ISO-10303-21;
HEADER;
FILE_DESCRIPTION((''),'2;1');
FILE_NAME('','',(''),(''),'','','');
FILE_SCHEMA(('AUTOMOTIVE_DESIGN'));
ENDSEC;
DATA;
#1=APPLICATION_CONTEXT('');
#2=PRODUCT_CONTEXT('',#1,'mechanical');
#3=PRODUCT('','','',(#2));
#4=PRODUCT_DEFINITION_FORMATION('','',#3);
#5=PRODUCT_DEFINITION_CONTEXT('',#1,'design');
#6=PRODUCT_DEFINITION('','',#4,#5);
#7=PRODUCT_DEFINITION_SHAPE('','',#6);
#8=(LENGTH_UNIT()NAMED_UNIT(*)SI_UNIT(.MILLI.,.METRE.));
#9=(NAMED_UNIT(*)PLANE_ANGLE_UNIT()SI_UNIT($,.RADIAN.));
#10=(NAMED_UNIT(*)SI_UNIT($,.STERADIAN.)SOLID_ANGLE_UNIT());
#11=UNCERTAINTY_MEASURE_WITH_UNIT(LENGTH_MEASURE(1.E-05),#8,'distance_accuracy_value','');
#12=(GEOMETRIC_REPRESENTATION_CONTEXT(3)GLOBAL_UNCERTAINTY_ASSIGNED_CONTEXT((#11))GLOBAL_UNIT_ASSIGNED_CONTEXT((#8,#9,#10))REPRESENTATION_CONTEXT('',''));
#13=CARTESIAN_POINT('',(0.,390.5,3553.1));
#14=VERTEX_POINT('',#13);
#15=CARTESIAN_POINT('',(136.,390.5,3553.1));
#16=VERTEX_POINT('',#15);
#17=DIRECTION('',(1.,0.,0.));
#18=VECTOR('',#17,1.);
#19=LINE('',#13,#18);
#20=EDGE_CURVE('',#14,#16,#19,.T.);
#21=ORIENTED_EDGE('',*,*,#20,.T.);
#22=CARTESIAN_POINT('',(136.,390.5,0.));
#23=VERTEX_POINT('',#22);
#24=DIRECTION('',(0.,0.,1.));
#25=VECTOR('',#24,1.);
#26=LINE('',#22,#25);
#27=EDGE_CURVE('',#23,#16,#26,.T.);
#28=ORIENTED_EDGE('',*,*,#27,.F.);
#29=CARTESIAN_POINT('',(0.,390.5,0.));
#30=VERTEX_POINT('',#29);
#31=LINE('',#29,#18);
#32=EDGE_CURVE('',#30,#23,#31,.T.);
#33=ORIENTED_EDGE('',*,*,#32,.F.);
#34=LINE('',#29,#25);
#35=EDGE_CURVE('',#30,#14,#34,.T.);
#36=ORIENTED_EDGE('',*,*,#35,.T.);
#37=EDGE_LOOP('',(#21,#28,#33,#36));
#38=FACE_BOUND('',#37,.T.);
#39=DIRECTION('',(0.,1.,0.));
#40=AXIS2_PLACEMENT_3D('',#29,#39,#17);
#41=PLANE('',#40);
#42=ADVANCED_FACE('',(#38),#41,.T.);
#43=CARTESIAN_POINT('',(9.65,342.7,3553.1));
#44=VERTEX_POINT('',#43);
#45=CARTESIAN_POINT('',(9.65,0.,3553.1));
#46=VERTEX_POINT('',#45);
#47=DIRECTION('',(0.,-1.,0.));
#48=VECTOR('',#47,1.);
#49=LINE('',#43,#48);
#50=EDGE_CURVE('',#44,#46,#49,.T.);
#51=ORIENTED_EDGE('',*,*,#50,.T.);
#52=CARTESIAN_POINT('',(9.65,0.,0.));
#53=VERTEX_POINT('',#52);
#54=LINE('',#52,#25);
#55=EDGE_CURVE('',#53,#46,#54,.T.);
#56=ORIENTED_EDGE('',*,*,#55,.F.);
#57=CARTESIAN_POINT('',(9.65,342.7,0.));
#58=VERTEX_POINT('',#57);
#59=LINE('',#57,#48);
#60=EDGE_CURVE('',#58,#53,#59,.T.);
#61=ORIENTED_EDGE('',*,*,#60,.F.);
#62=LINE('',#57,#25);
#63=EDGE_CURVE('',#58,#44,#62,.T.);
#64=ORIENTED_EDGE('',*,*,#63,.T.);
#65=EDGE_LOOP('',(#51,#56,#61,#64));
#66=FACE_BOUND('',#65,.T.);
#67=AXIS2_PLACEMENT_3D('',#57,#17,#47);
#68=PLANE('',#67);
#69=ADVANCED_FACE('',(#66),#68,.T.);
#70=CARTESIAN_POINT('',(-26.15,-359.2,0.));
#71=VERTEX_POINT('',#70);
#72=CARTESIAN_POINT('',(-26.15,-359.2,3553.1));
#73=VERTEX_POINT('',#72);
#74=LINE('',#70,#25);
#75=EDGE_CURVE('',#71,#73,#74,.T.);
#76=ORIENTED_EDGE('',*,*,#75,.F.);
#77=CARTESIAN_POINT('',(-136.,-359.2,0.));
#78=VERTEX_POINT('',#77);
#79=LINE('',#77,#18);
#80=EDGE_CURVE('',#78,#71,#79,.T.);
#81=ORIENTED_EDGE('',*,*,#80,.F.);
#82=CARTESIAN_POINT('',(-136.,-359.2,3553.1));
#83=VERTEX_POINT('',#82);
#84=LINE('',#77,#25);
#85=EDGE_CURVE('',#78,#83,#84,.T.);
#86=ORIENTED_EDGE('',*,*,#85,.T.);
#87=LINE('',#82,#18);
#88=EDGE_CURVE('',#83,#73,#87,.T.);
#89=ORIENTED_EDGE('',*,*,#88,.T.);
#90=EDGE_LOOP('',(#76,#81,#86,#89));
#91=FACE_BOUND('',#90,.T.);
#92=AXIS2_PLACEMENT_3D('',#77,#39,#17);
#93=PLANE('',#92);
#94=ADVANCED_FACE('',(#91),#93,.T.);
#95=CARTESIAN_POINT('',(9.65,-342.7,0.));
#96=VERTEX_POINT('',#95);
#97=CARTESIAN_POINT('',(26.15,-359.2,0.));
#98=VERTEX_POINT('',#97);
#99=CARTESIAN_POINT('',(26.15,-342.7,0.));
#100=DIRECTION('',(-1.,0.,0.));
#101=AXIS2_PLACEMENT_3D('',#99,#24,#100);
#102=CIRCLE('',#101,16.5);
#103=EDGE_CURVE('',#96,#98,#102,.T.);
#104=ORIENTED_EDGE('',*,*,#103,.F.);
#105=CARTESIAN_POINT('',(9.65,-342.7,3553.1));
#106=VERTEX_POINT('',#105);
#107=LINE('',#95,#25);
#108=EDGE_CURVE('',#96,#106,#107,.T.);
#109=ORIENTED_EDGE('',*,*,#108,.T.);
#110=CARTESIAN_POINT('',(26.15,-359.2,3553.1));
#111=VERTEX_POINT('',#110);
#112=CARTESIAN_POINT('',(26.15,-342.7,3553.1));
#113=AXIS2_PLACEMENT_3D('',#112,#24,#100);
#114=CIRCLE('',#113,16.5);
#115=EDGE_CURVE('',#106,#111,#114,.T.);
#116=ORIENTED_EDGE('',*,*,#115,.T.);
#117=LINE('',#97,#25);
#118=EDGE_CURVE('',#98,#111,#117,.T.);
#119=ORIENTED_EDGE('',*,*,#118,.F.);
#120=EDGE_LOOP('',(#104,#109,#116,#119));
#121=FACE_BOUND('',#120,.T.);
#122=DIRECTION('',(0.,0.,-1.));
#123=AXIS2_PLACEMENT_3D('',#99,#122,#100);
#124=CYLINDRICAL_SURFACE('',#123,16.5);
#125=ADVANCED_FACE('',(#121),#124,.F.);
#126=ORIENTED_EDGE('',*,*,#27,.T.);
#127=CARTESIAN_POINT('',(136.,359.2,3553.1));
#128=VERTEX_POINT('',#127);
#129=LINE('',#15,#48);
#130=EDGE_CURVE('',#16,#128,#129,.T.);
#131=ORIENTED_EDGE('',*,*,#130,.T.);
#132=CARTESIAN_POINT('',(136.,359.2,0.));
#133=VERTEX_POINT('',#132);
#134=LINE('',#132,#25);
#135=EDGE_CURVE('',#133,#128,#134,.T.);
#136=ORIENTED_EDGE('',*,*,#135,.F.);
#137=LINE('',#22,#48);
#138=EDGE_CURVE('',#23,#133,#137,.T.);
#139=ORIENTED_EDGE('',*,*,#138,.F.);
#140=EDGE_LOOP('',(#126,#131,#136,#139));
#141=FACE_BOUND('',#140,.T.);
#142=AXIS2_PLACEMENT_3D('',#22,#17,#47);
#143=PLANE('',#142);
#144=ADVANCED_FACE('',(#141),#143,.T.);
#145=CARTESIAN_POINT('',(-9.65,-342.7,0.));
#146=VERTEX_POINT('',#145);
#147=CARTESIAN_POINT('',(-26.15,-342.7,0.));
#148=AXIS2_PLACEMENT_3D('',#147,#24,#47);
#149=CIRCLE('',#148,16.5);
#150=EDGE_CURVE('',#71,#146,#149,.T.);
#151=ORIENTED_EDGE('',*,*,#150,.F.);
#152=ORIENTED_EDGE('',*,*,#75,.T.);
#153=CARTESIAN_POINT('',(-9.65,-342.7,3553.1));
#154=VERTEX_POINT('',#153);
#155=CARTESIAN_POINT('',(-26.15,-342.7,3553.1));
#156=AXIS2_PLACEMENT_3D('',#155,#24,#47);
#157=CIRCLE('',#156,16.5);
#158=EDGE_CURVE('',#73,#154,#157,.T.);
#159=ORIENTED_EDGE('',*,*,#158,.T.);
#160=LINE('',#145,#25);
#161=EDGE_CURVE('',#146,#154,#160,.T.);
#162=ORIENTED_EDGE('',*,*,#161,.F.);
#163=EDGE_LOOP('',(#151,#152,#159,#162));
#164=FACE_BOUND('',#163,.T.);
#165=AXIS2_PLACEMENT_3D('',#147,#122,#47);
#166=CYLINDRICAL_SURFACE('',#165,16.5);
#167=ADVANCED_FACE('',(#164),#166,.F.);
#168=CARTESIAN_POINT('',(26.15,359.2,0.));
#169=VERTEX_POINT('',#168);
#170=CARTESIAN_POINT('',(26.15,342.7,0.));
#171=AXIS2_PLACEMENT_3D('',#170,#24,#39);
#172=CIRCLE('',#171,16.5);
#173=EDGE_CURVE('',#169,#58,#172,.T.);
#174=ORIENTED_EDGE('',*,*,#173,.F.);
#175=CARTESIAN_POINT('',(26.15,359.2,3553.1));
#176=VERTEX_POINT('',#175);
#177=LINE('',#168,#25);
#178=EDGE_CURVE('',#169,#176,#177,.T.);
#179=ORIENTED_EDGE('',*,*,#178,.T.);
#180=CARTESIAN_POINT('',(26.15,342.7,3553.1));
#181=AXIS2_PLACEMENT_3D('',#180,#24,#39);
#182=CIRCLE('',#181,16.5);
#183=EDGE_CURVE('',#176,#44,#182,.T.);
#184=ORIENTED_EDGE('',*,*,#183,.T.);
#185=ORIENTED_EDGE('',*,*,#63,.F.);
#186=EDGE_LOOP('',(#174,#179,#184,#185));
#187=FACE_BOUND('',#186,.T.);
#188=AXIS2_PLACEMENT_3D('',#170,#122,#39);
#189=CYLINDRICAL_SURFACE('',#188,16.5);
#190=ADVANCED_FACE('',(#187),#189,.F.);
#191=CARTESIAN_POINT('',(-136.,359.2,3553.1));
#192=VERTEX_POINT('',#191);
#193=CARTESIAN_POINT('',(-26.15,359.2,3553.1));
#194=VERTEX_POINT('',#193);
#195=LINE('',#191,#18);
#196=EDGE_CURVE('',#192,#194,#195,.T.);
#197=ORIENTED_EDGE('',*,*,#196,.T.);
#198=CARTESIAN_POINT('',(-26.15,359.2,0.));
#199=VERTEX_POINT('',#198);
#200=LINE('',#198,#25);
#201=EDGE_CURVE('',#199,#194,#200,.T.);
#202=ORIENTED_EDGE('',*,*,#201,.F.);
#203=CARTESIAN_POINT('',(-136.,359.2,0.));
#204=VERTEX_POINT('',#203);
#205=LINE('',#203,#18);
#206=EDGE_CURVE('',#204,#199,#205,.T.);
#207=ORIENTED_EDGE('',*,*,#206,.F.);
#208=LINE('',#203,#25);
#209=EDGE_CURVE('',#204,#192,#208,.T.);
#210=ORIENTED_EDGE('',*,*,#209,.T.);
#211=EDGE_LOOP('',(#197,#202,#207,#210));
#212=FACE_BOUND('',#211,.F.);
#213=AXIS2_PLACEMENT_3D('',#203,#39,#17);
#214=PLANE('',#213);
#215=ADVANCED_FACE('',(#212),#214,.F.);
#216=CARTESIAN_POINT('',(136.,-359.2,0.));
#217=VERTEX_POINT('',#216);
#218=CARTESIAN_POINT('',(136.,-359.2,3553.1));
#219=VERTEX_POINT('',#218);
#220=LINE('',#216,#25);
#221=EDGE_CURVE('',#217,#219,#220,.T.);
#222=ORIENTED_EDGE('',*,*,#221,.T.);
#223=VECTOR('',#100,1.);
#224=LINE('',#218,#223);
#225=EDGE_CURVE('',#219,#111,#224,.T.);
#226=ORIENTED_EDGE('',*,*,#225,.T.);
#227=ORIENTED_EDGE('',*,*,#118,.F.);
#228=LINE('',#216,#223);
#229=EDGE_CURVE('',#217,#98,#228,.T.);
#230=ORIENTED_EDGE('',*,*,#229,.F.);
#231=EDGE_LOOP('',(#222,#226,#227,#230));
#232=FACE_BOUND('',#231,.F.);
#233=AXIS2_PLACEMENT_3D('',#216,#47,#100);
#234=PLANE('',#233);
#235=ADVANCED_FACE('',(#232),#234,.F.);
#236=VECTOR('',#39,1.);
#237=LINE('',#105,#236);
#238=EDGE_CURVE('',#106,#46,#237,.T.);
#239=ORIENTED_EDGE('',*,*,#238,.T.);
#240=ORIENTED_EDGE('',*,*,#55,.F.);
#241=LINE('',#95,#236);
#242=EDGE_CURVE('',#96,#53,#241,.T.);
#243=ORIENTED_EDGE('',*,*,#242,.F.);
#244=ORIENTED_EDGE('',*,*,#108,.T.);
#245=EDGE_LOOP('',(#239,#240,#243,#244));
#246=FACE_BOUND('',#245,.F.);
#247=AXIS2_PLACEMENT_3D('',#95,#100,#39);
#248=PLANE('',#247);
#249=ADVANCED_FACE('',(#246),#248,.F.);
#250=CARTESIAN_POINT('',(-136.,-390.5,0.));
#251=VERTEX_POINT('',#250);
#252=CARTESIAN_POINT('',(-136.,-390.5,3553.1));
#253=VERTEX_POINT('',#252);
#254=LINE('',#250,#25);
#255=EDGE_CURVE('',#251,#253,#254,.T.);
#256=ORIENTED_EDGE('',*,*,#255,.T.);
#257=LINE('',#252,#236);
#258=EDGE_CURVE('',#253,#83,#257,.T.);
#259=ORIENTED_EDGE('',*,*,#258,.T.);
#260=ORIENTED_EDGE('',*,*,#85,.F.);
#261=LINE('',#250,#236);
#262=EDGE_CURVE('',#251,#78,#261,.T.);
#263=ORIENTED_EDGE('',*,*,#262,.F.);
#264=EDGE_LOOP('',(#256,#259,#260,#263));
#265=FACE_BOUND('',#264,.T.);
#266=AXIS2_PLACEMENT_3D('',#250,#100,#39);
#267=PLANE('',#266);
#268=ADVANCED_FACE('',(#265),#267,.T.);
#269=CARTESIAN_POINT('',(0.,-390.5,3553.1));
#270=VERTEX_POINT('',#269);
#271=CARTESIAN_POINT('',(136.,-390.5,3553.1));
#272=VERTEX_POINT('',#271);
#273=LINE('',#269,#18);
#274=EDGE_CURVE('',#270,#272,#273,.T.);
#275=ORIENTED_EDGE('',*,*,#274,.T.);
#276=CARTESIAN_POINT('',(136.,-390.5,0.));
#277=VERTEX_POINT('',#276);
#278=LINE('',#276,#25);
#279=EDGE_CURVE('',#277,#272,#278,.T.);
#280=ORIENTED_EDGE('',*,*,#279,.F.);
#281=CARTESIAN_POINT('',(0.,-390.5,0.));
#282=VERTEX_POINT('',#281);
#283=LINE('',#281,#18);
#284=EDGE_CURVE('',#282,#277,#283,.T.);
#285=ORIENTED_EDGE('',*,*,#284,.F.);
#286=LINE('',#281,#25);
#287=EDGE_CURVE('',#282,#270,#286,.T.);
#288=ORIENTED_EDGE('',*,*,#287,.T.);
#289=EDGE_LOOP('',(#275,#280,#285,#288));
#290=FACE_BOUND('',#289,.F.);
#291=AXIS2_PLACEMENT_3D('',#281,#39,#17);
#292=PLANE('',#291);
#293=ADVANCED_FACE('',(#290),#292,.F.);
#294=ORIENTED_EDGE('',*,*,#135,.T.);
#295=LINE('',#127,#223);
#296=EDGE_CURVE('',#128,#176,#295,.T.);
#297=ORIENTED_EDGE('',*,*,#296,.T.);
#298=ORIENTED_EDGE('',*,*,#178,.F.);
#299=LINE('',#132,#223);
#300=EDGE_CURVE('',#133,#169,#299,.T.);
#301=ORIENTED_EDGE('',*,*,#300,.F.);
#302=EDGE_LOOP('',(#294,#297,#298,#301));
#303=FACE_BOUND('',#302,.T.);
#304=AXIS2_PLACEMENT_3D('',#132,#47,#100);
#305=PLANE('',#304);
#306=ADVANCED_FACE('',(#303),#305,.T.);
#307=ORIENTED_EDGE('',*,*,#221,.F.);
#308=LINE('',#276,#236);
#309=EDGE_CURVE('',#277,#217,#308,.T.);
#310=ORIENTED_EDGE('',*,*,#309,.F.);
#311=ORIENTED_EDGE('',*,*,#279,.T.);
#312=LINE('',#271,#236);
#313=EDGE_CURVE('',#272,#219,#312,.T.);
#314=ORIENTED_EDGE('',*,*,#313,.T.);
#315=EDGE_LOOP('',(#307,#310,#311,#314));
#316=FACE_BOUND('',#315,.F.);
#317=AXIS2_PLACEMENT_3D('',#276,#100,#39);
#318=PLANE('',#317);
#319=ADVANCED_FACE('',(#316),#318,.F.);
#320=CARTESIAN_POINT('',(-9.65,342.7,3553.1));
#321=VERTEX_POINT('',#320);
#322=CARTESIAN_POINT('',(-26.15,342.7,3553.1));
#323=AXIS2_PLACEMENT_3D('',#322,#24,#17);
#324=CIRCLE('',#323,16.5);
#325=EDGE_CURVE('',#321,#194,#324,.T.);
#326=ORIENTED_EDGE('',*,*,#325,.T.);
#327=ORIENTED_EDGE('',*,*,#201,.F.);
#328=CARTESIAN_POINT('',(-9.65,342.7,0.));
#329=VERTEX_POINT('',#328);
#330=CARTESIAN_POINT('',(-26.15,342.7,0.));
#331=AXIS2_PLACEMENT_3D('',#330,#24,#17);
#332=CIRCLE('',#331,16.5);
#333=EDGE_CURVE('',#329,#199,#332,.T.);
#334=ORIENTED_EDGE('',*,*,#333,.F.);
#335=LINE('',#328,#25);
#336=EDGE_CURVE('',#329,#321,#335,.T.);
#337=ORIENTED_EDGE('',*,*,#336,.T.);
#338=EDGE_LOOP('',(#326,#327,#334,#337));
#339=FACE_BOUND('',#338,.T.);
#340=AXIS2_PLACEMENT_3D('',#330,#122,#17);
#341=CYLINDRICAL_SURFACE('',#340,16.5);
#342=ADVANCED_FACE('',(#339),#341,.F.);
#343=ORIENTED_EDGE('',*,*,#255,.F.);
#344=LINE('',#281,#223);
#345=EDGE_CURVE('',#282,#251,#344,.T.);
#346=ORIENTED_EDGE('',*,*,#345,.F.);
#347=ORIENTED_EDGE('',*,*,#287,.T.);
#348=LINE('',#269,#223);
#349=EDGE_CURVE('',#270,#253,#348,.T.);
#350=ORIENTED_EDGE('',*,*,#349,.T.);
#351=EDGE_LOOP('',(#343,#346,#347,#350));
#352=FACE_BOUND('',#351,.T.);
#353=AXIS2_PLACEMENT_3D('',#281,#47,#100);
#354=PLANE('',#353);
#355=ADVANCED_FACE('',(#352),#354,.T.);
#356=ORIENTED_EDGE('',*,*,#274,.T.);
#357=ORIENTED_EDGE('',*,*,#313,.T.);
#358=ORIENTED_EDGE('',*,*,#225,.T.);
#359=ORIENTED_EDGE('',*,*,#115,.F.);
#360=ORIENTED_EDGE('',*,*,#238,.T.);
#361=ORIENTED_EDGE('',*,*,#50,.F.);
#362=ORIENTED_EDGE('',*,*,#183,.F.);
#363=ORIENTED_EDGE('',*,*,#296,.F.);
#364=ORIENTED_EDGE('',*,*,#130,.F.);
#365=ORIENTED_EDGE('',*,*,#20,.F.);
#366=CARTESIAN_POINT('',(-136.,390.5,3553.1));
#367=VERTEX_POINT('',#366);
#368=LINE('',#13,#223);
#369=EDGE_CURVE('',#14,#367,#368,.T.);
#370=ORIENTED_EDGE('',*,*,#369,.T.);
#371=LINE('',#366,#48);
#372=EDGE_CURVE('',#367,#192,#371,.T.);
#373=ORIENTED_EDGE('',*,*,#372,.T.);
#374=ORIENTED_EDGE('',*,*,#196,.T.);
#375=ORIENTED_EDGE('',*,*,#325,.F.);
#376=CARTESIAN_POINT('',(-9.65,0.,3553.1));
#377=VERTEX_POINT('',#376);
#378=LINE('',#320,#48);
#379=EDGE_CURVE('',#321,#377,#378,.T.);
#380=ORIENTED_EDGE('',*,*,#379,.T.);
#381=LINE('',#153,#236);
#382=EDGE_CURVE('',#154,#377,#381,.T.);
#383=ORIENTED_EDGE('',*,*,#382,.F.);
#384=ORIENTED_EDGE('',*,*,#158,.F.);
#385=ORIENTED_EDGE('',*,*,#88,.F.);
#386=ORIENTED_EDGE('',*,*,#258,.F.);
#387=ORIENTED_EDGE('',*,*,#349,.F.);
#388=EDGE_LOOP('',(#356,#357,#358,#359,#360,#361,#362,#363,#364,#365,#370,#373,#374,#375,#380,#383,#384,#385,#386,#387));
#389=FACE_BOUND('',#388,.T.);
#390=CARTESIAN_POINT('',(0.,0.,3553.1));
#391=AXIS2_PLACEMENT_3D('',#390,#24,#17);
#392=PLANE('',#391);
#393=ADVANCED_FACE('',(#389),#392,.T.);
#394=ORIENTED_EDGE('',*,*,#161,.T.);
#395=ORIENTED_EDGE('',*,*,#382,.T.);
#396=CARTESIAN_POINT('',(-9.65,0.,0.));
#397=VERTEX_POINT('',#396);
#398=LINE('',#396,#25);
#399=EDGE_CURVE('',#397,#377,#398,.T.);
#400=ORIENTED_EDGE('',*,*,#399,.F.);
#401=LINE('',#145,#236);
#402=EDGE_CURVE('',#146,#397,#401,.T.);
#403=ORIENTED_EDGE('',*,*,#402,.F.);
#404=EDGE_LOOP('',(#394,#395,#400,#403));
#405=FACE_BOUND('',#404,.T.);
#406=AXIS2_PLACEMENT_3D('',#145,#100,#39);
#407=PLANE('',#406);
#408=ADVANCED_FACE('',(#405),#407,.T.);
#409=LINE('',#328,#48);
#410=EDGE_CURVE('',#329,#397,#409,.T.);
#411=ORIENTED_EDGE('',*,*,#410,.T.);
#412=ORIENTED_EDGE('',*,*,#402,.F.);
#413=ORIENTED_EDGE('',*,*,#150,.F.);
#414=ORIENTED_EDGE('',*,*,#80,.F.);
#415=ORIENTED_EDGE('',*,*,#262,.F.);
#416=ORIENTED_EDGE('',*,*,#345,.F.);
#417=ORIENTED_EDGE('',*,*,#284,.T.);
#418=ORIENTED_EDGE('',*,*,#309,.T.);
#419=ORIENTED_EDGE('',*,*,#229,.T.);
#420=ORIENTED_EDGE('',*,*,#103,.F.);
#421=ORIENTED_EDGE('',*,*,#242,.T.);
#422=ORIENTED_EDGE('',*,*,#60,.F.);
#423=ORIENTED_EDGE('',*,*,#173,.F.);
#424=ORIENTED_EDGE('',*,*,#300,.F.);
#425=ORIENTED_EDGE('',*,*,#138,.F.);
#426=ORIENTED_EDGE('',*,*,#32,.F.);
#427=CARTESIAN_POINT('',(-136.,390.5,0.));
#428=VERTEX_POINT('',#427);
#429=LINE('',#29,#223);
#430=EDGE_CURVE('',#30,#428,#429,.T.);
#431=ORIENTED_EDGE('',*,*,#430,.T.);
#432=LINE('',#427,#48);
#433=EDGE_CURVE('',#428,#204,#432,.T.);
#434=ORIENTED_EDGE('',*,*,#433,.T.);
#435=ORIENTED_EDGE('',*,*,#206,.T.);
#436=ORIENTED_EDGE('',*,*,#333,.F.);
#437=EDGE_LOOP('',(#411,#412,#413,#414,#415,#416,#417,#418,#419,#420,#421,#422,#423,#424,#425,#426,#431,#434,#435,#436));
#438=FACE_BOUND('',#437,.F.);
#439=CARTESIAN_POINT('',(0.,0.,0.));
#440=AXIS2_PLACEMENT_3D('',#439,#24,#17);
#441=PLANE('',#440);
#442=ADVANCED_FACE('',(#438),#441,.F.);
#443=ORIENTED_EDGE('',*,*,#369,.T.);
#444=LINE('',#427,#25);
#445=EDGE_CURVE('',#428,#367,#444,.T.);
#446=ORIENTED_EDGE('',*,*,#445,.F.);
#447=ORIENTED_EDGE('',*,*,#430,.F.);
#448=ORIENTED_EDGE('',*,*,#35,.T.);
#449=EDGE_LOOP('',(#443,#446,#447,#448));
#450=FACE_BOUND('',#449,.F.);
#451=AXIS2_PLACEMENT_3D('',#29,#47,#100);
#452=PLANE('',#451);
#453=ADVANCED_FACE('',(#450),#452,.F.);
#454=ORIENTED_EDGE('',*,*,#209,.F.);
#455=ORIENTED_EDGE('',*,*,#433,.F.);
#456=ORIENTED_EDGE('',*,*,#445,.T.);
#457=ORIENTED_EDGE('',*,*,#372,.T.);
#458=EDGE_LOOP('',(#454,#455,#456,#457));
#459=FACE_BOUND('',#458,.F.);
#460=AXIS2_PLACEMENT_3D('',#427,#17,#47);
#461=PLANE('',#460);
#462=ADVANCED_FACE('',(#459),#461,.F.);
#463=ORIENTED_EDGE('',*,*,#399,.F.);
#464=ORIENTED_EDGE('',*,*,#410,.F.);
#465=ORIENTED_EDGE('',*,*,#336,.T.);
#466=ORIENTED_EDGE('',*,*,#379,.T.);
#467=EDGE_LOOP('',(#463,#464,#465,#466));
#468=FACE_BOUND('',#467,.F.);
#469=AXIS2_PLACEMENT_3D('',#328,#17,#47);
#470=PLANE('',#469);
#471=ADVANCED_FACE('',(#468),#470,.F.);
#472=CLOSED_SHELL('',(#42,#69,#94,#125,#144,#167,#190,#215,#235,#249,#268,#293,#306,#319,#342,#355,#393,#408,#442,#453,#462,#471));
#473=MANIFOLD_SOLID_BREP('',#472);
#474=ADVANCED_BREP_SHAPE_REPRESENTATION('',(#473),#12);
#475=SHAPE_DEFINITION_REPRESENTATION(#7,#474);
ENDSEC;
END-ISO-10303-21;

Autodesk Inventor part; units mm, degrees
ref_plane "YZ Plane" through (0, 0, 0) normal (1, 0, 0) x (0, 1, 0)
ref_plane "Start plane" through (0, 0, 0) normal (0, 0, 1) x (1, 0, 0)
ref_plane "End plane" through (0, 0, 3553.1) normal (0, 0, 1) x (1, 0, 0)
sketch "Sketch" plane through (0, 0, 0) normal (0, 0, 1) x (1, 0, 0)
  line L0 (-136, -390.5) -> (-136, -359.2)
  line L1 (-136, -359.2) -> (-26.15, -359.2)
  line L2 (-9.65, -342.7) -> (-9.65, 0)
  line L3 (-9.65, 0) -> (0, 0) construction
  line L4 (0, 0) -> (0, -390.5) construction
  line L5 (0, -390.5) -> (-136, -390.5)
  line L6 (-60, 0) -> (80, 0) construction
  line L7 (0, -60) -> (0, 80) construction
  line L8 (136, -390.5) -> (136, -359.2)
  line L9 (136, -359.2) -> (26.15, -359.2)
  line L10 (9.65, -342.7) -> (9.65, 0)
  line L11 (9.65, 0) -> (0, 0) construction
  line L12 (0, -390.5) -> (136, -390.5)
  line L13 (-136, 390.5) -> (-136, 359.2)
  line L14 (-136, 359.2) -> (-26.15, 359.2)
  line L15 (-9.65, 342.7) -> (-9.65, 0)
  line L16 (0, 390.5) -> (-136, 390.5)
  line L17 (136, 390.5) -> (136, 359.2)
  line L18 (136, 359.2) -> (26.15, 359.2)
  line L19 (0, 390.5) -> (136, 390.5)
  line L20 (9.65, 342.7) -> (9.65, 0)
  arc A0 (-9.65, 342.7) -> (-26.15, 359.2) centre (-26.15, 342.7) ccw
  arc A1 (26.15, 359.2) -> (9.65, 342.7) centre (26.15, 342.7) ccw
  arc A2 (9.65, -342.7) -> (26.15, -359.2) centre (26.15, -342.7) ccw
  arc A3 (-26.15, -359.2) -> (-9.65, -342.7) centre (-26.15, -342.7) ccw
  line L21 (0, 108) -> (0, -88) construction
  line L22 (-88, 0) -> (108, 0) construction
  point P0 (-9.65, -359.2)
  point P1 (9.65, -359.2)
  point P2 (-9.65, 359.2)
  point P3 (9.65, 359.2)
  dimension "d1" = 390.5
  dimension "d2" = 31.3
  dimension "d3" = 136
  dimension "d4" = 9.65
  dimension "d10" = 16.5
extrude "Body" add sketch "Sketch" along normal up to surface (3553.1 mm away) from surface at 0
sketch "Sketch4" plane through (0, 0, 0) normal (0, 0, 1) x (1, 0, 0)
  line L0 (0, 0) -> (10, 0)
ref_plane "Work Plane3" through (0, 0, 0) normal (0, -1, 0) x (1, 0, 0)
sketch "Sketch5" plane through (0, 0, 0) normal (0, -1, 0) x (1, 0, 0)
  line L0 (-2, 0) -> (12, 0) projected
  line L1 (-2, 3553.1) -> (12, 3553.1) projected
  dimension "d14" = 3553.1
equation "\"d1\" = 0.5 * G_H"
equation "\"d2\" = G_T1"
equation "\"d3\" = 0.5 * G_W"
equation "\"d4\" = 0.5 * G_T"
equation "\"d10\" = G_IR"
equation "\"d5\" = G_L"
equation "\"G_W\" = 272"
equation "\"G_H\" = 781"
equation "\"G_T\" = 19.3"
equation "\"G_T1\" = 31.3"
equation "\"G_IR\" = 16.5"
equation "\"G_L\" = d14"
equation "\"G_OFFSET_START\" = 0"
equation "\"G_OFFSET_END\" = 0"
equation "\"d12\" = G_OFFSET_END + B_L"
equation "\"B_L\" = 3553.1"
properties part number "AS 3679-1990 - 760 UB - 244 - 3553.1" material "Steel, Mild"
